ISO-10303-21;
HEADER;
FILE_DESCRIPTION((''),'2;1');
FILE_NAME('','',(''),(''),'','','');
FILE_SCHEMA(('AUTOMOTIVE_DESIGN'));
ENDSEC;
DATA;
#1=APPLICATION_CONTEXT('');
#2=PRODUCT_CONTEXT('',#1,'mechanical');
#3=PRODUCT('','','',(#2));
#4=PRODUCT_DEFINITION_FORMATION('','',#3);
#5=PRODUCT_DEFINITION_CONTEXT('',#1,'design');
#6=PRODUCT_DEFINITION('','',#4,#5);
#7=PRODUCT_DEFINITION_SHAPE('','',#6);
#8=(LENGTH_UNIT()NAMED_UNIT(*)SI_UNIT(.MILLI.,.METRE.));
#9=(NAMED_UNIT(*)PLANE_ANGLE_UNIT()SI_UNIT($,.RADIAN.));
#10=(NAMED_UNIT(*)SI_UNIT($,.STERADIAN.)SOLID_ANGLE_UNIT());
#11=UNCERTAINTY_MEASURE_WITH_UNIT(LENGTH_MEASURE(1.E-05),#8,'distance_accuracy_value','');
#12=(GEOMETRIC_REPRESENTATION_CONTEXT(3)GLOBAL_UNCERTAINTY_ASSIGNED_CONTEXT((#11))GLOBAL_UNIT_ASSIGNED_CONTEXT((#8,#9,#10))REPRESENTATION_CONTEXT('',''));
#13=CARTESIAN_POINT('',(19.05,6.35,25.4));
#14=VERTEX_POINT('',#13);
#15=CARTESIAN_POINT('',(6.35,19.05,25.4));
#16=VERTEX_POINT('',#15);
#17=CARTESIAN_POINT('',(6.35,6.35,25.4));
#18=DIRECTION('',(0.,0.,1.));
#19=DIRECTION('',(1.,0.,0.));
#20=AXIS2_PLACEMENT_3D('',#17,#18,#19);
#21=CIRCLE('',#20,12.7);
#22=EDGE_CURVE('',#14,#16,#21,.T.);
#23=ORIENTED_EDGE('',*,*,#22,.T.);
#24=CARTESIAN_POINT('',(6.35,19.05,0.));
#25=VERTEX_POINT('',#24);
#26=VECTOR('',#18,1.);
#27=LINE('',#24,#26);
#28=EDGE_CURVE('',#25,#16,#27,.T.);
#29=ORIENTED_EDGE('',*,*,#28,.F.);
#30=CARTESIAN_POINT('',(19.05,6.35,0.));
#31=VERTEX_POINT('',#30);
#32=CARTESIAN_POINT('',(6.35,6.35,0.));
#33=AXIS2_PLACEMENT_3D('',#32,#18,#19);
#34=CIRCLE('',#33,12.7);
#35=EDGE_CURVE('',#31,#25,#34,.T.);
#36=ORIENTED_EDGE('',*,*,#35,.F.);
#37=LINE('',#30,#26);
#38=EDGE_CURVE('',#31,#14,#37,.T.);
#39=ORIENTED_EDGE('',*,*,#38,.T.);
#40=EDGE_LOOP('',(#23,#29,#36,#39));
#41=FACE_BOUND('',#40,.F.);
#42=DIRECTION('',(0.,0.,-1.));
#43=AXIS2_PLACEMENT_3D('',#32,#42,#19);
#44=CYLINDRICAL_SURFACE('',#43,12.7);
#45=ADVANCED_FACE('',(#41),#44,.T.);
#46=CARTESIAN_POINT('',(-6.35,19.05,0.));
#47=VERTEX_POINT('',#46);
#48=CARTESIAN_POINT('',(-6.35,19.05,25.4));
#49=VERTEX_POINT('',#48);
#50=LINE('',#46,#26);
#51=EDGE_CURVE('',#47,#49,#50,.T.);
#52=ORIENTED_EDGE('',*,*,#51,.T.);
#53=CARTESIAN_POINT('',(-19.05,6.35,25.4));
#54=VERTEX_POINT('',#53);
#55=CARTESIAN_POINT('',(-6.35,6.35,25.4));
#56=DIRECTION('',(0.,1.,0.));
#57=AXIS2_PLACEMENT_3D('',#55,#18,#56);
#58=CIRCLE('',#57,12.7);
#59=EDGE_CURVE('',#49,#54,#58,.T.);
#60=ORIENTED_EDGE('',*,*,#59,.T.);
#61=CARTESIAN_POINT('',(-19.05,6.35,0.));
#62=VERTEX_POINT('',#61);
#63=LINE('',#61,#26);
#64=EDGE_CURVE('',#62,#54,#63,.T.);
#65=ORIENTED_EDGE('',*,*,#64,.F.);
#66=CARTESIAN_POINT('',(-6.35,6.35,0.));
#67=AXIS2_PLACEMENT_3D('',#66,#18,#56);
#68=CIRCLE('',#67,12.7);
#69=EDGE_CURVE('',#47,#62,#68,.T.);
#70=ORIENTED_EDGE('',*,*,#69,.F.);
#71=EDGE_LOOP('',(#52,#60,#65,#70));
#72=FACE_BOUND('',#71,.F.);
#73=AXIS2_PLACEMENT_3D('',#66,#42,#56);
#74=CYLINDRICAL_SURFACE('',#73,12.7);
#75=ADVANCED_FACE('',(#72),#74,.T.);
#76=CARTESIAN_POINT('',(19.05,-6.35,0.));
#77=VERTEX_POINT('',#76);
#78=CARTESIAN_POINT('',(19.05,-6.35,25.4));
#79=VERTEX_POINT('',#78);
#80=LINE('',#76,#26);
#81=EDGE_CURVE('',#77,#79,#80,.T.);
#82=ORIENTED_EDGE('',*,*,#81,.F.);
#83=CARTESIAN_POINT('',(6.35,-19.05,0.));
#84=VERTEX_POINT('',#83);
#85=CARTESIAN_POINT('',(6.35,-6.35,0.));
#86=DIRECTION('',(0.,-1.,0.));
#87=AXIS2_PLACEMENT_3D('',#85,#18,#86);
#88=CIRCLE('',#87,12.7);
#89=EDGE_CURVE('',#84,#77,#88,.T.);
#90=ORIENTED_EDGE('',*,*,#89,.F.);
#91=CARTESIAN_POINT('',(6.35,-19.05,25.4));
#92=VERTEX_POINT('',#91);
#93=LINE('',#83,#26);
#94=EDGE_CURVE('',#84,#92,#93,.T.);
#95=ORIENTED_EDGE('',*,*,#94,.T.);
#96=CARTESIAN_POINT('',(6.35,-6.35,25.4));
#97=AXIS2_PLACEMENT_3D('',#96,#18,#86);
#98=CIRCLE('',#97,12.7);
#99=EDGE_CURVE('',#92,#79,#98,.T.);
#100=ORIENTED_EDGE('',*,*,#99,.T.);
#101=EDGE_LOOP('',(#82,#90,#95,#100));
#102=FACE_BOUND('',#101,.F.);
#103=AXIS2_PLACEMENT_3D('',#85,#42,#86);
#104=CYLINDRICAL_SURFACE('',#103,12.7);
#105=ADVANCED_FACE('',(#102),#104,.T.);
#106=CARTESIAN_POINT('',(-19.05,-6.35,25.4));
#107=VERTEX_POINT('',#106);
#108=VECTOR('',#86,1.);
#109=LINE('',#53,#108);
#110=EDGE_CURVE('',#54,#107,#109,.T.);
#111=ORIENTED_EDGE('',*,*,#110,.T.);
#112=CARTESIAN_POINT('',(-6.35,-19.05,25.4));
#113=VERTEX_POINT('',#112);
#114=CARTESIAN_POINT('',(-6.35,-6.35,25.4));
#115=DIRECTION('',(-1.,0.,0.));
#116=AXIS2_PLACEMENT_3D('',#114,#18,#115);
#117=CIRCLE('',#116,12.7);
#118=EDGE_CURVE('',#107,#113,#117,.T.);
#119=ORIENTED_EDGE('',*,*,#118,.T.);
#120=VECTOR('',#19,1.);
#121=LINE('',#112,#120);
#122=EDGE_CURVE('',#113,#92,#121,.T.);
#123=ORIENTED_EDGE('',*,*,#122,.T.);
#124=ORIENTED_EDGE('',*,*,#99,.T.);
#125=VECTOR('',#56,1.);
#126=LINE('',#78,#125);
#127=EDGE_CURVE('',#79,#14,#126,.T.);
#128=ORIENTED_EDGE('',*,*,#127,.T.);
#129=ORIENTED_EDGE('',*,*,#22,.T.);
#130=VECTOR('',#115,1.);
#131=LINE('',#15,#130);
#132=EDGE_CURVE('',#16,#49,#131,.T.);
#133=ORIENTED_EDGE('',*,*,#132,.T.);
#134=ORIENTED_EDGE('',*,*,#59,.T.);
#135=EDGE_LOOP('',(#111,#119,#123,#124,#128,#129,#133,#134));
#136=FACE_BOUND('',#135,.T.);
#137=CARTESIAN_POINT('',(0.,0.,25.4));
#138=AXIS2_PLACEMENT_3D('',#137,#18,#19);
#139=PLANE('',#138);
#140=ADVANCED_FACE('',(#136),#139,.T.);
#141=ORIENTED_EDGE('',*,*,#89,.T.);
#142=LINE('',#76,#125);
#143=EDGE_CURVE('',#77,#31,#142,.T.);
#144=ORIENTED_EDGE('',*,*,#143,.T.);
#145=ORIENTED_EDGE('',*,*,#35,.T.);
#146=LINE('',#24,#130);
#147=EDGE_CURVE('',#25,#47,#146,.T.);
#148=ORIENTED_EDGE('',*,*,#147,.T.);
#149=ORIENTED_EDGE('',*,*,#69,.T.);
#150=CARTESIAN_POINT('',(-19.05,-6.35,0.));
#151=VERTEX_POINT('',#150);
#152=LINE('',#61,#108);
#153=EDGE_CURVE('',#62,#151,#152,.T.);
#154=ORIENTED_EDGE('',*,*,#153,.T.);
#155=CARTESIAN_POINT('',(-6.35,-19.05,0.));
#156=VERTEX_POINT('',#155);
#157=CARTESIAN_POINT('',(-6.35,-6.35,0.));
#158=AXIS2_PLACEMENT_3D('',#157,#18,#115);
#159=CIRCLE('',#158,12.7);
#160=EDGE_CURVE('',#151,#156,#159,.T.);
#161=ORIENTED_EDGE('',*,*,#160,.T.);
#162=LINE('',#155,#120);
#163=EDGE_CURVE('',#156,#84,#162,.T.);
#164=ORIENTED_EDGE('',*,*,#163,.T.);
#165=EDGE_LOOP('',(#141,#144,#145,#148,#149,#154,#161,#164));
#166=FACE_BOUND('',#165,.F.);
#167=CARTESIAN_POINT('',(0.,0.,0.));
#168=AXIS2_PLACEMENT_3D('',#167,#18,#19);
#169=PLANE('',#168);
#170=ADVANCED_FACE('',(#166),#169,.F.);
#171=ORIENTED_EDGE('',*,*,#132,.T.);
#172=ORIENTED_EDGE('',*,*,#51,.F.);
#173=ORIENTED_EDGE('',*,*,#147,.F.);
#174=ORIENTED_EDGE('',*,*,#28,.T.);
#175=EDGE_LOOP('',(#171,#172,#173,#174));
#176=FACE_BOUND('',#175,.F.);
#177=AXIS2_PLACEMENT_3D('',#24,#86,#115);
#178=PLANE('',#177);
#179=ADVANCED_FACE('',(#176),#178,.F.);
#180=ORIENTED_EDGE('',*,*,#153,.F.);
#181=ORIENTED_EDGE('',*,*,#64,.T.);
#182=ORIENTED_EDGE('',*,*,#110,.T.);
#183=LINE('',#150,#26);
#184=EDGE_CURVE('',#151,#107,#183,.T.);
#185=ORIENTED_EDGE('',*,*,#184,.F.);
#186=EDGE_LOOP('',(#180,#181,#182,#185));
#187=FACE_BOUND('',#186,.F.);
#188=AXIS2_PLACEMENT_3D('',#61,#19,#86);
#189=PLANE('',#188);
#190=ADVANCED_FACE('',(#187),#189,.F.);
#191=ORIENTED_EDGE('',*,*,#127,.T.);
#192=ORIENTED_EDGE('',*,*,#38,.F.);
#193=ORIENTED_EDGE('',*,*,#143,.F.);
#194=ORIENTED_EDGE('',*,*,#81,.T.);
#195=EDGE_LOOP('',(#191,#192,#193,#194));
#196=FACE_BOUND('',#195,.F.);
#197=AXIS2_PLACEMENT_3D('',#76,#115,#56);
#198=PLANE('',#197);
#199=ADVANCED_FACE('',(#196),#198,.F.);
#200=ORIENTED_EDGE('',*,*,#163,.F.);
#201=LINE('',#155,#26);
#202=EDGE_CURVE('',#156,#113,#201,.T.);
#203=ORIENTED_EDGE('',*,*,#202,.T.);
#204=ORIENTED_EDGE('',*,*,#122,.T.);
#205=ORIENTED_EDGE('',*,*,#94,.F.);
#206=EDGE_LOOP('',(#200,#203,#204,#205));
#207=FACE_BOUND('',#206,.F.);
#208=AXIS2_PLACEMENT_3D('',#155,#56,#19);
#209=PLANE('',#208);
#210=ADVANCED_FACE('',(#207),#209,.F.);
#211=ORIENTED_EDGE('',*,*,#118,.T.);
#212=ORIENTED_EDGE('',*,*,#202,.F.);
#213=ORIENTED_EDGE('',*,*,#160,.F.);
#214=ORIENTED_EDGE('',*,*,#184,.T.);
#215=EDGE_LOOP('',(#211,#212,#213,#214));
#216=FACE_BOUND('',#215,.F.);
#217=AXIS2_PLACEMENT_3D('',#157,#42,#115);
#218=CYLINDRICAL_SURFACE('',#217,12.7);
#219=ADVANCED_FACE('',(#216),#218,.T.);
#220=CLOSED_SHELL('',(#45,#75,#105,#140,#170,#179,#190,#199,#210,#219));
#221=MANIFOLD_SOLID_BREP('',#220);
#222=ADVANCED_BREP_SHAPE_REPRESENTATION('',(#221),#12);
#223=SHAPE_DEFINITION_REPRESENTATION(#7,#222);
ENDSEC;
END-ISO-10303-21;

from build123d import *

# Parameters (mm, degrees)
F1_DEPTH = 76.2
F2_DEPTH = 25.4
F5_DEPTH = 50.8
F6_DEPTH = 25.4


with BuildPart() as f1:
    # F0 (on Top) → F1 (new body)
    with BuildSketch(Plane.XY):
        with BuildLine():
            ThreePointArc((31.75, 6.35), (28.0302561211, 15.3302561211), (19.05, 19.05))
            Line((19.05, 19.05), (-19.05, 19.05))
            ThreePointArc((-19.05, 19.05), (-28.0302561211, 15.3302561211), (-31.75, 6.35))
            Line((-31.75, 6.35), (-31.75, -6.35))
            ThreePointArc((-31.75, -6.35), (-28.0302561211, -15.3302561211), (-19.05, -19.05))
            Line((-19.05, -19.05), (19.05, -19.05))
            ThreePointArc((19.05, -19.05), (28.0302561211, -15.3302561211), (31.75, -6.35))
            Line((31.75, -6.35), (31.75, 6.35))
        make_face()
    extrude(amount=F1_DEPTH)

    # F2 (cut): a face of the model
    f2_faces = [f1.faces().sort_by_distance(p)[0] for p in [
        (0, 0, 76.2),
    ]]
    extrude(f2_faces, amount=-F2_DEPTH, mode=Mode.SUBTRACT)


with BuildPart() as f5:
    # F4 (on Top) → F5 (new body)
    with BuildSketch(Plane.XY):
        with BuildLine():
            Line((6.35, 19.05), (-6.35, 19.05))
            ThreePointArc((-6.35, 19.05), (-15.3302561211, 15.3302561211), (-19.05, 6.35))
            Line((-19.05, 6.35), (-19.05, -6.35))
            ThreePointArc((-19.05, -6.35), (-15.3302561211, -15.3302561211), (-6.35, -19.05))
            Line((-6.35, -19.05), (6.35, -19.05))
            ThreePointArc((6.35, -19.05), (15.3302561211, -15.3302561211), (19.05, -6.35))
            Line((19.05, -6.35), (19.05, 6.35))
            ThreePointArc((19.05, 6.35), (15.3302561211, 15.3302561211), (6.35, 19.05))
        make_face()
    extrude(amount=F5_DEPTH)

    # F6 (cut): a face of the model
    f6_faces = [f5.faces().sort_by_distance(p)[0] for p in [
        (0, 0, 50.8),
    ]]
    extrude(f6_faces, amount=-F6_DEPTH, mode=Mode.SUBTRACT)


solid = f5.part
